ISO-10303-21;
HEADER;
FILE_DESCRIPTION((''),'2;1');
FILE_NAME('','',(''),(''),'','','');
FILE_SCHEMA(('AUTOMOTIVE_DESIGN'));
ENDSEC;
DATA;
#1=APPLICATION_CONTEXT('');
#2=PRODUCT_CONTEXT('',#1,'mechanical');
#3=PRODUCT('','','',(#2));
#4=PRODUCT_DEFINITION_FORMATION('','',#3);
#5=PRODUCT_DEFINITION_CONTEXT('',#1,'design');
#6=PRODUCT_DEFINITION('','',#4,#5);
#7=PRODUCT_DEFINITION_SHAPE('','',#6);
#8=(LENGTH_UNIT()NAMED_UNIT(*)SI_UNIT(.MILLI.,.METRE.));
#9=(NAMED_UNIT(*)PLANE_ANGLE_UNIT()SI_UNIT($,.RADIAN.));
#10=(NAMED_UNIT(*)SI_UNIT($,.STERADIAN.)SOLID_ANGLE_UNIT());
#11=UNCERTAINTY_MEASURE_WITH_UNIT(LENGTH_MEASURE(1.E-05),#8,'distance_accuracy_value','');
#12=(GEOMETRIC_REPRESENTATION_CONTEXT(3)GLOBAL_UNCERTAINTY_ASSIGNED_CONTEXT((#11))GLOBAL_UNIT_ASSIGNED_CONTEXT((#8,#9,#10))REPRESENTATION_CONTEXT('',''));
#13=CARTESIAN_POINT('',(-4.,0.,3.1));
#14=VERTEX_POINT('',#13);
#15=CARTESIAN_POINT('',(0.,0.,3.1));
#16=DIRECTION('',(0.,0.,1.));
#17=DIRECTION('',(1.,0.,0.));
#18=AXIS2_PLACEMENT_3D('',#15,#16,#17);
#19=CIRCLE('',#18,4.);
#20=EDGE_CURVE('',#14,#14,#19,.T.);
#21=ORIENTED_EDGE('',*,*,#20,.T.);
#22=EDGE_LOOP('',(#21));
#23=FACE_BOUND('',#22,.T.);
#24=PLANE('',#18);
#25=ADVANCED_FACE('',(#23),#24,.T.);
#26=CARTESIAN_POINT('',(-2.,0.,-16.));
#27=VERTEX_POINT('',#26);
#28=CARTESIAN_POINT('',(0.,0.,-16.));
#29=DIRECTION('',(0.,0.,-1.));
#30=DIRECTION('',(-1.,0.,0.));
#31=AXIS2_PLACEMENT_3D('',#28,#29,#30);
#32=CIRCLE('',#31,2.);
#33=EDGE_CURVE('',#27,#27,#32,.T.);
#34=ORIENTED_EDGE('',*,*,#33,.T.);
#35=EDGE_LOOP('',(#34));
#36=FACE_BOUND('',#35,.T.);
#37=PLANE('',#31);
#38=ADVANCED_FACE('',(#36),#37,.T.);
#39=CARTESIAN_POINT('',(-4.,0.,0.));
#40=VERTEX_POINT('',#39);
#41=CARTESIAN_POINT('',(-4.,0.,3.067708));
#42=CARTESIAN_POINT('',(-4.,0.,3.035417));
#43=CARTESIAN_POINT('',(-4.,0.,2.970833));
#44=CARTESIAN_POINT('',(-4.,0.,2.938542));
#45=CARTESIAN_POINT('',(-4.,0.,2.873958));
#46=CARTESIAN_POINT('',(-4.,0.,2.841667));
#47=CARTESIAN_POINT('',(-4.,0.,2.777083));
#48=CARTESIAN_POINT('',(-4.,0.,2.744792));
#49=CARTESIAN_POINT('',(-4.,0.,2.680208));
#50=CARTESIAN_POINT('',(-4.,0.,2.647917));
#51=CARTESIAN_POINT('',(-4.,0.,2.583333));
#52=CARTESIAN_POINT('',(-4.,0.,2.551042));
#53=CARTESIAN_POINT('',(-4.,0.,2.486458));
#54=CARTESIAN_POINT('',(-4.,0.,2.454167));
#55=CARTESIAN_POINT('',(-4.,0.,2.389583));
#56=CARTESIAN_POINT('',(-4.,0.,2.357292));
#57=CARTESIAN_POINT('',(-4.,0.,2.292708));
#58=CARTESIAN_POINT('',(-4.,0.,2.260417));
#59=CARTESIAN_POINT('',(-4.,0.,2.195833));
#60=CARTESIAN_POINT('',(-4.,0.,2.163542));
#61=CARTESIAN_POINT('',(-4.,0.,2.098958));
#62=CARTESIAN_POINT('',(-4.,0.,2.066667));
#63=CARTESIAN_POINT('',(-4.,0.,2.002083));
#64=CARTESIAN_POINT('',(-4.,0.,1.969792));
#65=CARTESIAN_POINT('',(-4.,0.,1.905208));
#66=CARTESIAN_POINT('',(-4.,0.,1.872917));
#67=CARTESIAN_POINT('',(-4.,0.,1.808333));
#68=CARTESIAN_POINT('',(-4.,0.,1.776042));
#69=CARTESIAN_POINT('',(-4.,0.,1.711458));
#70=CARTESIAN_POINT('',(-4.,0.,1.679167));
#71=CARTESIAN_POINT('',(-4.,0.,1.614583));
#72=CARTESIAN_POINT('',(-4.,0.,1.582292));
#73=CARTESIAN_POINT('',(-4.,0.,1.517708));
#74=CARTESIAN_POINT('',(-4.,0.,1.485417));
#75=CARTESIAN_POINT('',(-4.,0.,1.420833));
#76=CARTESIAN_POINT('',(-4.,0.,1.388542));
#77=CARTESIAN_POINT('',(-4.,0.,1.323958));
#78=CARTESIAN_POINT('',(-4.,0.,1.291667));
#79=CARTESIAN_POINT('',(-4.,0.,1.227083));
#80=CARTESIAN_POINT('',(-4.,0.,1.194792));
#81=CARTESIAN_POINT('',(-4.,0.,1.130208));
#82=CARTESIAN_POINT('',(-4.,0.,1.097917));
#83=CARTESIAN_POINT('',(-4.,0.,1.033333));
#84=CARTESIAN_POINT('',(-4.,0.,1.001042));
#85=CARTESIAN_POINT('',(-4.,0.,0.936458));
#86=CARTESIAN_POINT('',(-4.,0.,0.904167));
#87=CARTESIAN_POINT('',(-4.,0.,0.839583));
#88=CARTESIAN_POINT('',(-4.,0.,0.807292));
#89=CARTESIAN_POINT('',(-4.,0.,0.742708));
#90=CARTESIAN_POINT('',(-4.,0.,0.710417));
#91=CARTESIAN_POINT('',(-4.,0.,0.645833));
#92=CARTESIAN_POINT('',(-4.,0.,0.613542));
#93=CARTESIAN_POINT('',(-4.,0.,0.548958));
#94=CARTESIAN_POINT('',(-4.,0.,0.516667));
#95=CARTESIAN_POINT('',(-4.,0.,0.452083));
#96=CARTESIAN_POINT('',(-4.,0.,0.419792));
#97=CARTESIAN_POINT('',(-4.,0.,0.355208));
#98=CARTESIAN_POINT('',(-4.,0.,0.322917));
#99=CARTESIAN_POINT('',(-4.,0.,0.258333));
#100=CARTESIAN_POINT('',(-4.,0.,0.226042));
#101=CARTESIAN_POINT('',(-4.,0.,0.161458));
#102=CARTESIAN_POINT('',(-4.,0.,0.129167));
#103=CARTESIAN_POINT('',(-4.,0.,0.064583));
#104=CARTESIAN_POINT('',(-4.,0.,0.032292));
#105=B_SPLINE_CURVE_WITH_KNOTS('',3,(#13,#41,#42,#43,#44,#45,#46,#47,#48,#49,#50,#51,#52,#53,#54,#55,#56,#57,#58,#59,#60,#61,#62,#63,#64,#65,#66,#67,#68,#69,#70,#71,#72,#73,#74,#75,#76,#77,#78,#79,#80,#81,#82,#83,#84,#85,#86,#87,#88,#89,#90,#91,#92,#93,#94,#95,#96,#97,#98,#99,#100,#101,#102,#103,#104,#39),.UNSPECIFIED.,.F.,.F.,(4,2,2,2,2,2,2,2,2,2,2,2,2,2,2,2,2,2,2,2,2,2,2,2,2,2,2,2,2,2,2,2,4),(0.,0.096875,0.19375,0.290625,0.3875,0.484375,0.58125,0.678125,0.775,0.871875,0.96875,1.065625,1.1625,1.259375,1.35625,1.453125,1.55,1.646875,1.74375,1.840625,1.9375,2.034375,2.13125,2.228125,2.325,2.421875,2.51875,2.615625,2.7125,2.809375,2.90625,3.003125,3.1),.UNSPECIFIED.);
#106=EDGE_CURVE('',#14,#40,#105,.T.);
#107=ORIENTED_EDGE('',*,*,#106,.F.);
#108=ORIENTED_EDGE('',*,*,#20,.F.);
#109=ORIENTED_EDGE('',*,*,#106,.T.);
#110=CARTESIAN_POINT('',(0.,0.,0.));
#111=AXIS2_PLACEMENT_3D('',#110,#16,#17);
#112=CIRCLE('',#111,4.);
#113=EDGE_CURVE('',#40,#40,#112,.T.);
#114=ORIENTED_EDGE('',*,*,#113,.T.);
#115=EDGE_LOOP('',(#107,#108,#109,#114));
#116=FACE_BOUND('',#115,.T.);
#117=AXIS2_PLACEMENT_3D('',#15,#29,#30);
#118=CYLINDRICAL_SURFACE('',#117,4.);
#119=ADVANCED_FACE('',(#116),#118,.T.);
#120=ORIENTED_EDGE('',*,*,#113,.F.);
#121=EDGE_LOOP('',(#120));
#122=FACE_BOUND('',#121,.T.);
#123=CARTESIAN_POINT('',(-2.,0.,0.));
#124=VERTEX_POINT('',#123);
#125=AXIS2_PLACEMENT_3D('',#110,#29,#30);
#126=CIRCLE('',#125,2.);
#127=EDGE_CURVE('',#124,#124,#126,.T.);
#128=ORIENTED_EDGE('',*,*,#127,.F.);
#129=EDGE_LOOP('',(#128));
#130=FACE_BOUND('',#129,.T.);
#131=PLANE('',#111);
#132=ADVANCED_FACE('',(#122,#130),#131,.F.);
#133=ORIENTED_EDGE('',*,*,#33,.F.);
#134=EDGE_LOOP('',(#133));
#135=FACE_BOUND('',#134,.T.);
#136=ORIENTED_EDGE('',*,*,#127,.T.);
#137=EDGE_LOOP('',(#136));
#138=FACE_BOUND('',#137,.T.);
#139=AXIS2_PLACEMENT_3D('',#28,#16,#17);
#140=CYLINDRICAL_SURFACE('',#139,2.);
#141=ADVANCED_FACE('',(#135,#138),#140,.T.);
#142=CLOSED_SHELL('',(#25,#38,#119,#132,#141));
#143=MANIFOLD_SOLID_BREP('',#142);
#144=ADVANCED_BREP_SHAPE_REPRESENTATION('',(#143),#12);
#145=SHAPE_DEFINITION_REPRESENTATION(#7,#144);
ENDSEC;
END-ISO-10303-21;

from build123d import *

# Parameters (mm, degrees)
ESQUISSE1_R        = 4
BOSS_EXTRU_1_DEPTH = 3.1
ESQUISSE2_R        = 2
BOSS_EXTRU_2_DEPTH = 16


with BuildPart() as part:
    # Esquisse1 → Boss.-Extru.1 (new body)
    with BuildSketch(Plane.XY):
        with Locations(Location((0, 0, 0), (0, 0, 180))):
            Circle(ESQUISSE1_R)
    extrude(amount=BOSS_EXTRU_1_DEPTH)

    # Esquisse2 → Boss.-Extru.2 (add)
    with BuildSketch(Plane(origin=(0, 0, 0), x_dir=(-1, 0, 0), z_dir=(0, 0, -1))):
        Circle(ESQUISSE2_R)
    extrude(amount=BOSS_EXTRU_2_DEPTH)


solid = part.part
